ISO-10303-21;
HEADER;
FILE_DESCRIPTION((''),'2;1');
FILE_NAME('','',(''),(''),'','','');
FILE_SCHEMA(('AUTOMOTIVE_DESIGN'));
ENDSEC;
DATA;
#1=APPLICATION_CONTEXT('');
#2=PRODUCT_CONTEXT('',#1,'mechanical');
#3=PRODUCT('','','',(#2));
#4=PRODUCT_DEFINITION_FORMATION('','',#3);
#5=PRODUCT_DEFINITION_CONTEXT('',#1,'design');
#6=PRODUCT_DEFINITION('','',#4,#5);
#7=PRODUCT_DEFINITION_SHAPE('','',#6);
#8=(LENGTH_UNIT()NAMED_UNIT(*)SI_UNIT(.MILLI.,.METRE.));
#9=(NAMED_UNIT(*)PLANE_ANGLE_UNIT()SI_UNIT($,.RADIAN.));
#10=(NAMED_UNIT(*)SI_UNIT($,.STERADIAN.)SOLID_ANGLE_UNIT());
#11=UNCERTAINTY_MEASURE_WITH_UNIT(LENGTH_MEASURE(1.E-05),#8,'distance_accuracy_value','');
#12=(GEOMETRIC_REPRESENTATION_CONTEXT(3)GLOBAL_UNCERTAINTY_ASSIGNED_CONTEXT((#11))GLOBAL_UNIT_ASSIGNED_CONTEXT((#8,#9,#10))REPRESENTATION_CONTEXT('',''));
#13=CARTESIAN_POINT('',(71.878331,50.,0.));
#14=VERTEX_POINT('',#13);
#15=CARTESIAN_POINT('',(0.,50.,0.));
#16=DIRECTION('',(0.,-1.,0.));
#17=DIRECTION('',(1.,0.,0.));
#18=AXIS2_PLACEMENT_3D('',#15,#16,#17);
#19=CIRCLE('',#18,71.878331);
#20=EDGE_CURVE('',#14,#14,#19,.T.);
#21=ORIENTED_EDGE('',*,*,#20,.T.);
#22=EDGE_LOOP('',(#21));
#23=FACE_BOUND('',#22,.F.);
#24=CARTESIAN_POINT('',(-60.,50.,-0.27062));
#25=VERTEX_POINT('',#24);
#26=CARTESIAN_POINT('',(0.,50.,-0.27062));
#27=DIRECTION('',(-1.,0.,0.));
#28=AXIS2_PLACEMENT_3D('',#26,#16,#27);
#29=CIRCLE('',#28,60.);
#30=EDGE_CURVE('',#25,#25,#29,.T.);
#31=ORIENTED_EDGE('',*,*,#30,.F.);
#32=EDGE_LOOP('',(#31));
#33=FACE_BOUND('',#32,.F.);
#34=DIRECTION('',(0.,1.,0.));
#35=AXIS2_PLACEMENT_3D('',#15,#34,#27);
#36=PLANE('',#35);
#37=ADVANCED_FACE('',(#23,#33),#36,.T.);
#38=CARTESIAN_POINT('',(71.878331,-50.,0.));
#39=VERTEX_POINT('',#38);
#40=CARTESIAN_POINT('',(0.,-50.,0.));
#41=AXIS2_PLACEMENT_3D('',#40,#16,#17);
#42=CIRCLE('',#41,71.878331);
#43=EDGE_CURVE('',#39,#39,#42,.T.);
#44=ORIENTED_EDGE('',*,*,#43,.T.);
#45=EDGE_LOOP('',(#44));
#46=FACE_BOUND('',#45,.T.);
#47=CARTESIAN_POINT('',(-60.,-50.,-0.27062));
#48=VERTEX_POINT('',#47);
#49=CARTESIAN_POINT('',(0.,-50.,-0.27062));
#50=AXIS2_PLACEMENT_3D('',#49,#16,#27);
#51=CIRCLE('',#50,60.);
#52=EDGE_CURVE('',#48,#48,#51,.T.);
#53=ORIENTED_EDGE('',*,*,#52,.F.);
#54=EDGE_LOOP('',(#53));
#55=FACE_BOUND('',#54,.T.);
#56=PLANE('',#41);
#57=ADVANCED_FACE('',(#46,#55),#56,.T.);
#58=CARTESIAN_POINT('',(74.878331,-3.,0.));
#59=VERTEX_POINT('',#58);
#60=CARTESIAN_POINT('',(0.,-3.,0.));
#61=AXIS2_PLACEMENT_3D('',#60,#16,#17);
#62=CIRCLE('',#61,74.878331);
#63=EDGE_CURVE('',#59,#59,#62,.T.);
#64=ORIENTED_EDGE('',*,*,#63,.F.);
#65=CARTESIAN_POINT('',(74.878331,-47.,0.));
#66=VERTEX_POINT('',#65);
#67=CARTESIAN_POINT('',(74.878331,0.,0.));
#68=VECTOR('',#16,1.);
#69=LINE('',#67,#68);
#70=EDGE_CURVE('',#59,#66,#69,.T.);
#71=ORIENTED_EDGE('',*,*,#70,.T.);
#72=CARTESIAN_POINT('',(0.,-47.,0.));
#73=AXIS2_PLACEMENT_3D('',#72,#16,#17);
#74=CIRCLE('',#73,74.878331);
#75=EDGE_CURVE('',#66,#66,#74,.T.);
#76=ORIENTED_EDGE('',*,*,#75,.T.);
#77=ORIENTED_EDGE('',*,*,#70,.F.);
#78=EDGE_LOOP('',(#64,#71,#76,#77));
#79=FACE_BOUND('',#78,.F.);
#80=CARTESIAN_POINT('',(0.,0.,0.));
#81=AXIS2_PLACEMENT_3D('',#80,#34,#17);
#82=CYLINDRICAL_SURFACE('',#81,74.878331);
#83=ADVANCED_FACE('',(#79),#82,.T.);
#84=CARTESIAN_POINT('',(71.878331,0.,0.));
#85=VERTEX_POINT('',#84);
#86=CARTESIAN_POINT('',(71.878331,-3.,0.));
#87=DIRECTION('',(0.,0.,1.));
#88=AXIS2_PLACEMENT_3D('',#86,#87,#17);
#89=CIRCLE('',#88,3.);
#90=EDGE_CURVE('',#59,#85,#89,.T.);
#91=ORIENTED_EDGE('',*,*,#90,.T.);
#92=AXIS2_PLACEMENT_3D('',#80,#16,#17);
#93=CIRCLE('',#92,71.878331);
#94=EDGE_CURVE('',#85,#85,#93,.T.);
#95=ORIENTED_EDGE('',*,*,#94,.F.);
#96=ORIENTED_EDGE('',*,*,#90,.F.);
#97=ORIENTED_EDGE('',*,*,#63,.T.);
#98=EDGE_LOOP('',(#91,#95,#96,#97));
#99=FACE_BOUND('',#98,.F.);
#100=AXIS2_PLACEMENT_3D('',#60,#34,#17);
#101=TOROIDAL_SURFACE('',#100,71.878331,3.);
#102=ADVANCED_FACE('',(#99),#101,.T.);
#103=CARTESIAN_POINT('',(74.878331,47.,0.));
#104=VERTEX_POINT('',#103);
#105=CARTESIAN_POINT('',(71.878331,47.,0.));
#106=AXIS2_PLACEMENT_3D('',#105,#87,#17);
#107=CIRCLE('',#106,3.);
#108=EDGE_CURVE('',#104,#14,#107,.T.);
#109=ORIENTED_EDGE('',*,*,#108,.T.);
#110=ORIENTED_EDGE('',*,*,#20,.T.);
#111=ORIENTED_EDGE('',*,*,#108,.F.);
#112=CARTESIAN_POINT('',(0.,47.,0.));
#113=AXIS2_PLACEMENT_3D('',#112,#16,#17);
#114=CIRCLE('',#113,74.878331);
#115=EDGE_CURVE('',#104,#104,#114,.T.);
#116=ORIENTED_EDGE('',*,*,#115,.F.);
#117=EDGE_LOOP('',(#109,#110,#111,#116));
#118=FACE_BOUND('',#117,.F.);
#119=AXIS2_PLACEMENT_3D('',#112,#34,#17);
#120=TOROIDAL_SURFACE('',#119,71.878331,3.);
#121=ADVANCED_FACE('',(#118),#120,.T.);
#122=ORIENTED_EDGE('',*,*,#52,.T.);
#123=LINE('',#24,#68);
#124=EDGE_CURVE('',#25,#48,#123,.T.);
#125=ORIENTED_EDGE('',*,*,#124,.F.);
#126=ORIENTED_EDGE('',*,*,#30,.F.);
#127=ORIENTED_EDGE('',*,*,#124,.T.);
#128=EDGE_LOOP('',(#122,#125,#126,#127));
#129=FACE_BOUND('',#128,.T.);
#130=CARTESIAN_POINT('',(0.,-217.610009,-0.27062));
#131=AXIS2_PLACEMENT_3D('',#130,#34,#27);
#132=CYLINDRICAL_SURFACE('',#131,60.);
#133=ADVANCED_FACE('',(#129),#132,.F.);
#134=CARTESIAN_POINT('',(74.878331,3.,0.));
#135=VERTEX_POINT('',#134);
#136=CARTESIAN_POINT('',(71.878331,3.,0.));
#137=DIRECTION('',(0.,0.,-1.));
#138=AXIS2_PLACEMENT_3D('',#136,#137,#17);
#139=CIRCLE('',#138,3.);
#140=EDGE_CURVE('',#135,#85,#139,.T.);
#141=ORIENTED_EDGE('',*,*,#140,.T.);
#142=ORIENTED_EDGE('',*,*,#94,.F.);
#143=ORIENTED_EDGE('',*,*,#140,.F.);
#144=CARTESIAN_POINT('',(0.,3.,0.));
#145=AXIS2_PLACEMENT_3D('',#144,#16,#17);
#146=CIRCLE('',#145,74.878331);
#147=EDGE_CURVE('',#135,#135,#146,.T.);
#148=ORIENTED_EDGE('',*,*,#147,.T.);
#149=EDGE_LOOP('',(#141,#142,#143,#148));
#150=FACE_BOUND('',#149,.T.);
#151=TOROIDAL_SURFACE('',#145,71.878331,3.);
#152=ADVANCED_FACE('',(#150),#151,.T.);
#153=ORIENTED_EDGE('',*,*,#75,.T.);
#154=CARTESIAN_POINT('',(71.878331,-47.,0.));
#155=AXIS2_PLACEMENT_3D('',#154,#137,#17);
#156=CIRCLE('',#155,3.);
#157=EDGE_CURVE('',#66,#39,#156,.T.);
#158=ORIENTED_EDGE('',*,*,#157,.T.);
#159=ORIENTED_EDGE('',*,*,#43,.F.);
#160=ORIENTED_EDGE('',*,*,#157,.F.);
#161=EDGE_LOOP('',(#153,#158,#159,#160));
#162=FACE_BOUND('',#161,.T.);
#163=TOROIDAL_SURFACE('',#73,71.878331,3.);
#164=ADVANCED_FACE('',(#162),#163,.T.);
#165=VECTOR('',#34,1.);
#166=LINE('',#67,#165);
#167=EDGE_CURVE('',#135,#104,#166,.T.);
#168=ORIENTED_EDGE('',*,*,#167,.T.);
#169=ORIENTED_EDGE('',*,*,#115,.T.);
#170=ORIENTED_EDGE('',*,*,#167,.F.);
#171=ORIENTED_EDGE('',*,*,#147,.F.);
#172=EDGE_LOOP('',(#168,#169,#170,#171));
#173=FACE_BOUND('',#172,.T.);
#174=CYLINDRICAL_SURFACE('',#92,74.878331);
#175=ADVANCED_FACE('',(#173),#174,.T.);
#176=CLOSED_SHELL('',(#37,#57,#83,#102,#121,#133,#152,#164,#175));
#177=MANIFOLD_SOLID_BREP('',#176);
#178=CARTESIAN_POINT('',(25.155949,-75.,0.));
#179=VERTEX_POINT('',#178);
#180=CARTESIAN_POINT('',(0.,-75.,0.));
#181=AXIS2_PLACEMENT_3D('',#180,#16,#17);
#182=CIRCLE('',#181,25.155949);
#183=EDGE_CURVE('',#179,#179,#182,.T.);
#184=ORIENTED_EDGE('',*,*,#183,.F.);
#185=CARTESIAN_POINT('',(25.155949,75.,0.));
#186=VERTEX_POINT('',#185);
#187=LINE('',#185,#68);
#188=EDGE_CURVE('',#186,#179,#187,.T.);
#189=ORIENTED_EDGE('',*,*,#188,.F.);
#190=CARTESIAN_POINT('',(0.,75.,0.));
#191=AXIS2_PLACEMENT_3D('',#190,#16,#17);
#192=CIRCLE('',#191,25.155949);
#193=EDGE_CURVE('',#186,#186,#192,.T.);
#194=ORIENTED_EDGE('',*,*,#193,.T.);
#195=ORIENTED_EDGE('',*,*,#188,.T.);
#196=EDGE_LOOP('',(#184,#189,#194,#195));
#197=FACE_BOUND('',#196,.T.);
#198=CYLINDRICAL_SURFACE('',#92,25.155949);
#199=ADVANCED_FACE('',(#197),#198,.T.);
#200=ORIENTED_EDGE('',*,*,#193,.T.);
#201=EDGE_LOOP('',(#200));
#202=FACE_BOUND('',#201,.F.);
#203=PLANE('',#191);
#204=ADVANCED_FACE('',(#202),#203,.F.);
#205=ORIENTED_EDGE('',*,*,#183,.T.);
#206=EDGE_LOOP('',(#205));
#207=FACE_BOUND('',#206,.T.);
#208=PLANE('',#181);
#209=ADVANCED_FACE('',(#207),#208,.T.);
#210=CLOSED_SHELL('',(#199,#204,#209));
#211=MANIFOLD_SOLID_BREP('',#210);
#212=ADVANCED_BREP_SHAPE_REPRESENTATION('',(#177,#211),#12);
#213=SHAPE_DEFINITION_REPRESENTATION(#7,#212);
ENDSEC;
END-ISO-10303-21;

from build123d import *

# Parameters (mm, degrees)
F0_R     = 74.8783311707
F1_DEPTH = 50
F3_D     = 120
F4_R     = 3
F6_R     = 25.1559486601
F7_DEPTH = 75


with BuildPart() as f1:
    # F0 (on Front) → F1 (new body)
    with BuildSketch(Plane.XZ):
        Circle(F0_R)
    extrude(amount=F1_DEPTH)

    # F3 (through all)
    with Locations(Plane(origin=(0, 0, 0), x_dir=(1, 0, 0), z_dir=(0, 1, 0))):
        with Locations((0, 0.2706199884)):
            Hole(F3_D / 2)

    # F4
    f4_edges = [f1.edges().sort_by_distance(p)[0] for p in [
        (-74.878331, -50, 0),
        (-74.878331, 0, 0),
    ]]
    fillet(f4_edges, radius=F4_R)

    # F5: F1 across plane


with BuildPart() as f1_1:
    add(f1.part)
    add(f1.part.mirror(Plane.XZ))


with BuildPart() as f7:
    # F6 (on Front) → F7 (new body, symmetric)
    with BuildSketch(Plane.XZ):
        Circle(F6_R)
    extrude(amount=F7_DEPTH, both=True)


solid = Compound([f1_1.part, f7.part])
